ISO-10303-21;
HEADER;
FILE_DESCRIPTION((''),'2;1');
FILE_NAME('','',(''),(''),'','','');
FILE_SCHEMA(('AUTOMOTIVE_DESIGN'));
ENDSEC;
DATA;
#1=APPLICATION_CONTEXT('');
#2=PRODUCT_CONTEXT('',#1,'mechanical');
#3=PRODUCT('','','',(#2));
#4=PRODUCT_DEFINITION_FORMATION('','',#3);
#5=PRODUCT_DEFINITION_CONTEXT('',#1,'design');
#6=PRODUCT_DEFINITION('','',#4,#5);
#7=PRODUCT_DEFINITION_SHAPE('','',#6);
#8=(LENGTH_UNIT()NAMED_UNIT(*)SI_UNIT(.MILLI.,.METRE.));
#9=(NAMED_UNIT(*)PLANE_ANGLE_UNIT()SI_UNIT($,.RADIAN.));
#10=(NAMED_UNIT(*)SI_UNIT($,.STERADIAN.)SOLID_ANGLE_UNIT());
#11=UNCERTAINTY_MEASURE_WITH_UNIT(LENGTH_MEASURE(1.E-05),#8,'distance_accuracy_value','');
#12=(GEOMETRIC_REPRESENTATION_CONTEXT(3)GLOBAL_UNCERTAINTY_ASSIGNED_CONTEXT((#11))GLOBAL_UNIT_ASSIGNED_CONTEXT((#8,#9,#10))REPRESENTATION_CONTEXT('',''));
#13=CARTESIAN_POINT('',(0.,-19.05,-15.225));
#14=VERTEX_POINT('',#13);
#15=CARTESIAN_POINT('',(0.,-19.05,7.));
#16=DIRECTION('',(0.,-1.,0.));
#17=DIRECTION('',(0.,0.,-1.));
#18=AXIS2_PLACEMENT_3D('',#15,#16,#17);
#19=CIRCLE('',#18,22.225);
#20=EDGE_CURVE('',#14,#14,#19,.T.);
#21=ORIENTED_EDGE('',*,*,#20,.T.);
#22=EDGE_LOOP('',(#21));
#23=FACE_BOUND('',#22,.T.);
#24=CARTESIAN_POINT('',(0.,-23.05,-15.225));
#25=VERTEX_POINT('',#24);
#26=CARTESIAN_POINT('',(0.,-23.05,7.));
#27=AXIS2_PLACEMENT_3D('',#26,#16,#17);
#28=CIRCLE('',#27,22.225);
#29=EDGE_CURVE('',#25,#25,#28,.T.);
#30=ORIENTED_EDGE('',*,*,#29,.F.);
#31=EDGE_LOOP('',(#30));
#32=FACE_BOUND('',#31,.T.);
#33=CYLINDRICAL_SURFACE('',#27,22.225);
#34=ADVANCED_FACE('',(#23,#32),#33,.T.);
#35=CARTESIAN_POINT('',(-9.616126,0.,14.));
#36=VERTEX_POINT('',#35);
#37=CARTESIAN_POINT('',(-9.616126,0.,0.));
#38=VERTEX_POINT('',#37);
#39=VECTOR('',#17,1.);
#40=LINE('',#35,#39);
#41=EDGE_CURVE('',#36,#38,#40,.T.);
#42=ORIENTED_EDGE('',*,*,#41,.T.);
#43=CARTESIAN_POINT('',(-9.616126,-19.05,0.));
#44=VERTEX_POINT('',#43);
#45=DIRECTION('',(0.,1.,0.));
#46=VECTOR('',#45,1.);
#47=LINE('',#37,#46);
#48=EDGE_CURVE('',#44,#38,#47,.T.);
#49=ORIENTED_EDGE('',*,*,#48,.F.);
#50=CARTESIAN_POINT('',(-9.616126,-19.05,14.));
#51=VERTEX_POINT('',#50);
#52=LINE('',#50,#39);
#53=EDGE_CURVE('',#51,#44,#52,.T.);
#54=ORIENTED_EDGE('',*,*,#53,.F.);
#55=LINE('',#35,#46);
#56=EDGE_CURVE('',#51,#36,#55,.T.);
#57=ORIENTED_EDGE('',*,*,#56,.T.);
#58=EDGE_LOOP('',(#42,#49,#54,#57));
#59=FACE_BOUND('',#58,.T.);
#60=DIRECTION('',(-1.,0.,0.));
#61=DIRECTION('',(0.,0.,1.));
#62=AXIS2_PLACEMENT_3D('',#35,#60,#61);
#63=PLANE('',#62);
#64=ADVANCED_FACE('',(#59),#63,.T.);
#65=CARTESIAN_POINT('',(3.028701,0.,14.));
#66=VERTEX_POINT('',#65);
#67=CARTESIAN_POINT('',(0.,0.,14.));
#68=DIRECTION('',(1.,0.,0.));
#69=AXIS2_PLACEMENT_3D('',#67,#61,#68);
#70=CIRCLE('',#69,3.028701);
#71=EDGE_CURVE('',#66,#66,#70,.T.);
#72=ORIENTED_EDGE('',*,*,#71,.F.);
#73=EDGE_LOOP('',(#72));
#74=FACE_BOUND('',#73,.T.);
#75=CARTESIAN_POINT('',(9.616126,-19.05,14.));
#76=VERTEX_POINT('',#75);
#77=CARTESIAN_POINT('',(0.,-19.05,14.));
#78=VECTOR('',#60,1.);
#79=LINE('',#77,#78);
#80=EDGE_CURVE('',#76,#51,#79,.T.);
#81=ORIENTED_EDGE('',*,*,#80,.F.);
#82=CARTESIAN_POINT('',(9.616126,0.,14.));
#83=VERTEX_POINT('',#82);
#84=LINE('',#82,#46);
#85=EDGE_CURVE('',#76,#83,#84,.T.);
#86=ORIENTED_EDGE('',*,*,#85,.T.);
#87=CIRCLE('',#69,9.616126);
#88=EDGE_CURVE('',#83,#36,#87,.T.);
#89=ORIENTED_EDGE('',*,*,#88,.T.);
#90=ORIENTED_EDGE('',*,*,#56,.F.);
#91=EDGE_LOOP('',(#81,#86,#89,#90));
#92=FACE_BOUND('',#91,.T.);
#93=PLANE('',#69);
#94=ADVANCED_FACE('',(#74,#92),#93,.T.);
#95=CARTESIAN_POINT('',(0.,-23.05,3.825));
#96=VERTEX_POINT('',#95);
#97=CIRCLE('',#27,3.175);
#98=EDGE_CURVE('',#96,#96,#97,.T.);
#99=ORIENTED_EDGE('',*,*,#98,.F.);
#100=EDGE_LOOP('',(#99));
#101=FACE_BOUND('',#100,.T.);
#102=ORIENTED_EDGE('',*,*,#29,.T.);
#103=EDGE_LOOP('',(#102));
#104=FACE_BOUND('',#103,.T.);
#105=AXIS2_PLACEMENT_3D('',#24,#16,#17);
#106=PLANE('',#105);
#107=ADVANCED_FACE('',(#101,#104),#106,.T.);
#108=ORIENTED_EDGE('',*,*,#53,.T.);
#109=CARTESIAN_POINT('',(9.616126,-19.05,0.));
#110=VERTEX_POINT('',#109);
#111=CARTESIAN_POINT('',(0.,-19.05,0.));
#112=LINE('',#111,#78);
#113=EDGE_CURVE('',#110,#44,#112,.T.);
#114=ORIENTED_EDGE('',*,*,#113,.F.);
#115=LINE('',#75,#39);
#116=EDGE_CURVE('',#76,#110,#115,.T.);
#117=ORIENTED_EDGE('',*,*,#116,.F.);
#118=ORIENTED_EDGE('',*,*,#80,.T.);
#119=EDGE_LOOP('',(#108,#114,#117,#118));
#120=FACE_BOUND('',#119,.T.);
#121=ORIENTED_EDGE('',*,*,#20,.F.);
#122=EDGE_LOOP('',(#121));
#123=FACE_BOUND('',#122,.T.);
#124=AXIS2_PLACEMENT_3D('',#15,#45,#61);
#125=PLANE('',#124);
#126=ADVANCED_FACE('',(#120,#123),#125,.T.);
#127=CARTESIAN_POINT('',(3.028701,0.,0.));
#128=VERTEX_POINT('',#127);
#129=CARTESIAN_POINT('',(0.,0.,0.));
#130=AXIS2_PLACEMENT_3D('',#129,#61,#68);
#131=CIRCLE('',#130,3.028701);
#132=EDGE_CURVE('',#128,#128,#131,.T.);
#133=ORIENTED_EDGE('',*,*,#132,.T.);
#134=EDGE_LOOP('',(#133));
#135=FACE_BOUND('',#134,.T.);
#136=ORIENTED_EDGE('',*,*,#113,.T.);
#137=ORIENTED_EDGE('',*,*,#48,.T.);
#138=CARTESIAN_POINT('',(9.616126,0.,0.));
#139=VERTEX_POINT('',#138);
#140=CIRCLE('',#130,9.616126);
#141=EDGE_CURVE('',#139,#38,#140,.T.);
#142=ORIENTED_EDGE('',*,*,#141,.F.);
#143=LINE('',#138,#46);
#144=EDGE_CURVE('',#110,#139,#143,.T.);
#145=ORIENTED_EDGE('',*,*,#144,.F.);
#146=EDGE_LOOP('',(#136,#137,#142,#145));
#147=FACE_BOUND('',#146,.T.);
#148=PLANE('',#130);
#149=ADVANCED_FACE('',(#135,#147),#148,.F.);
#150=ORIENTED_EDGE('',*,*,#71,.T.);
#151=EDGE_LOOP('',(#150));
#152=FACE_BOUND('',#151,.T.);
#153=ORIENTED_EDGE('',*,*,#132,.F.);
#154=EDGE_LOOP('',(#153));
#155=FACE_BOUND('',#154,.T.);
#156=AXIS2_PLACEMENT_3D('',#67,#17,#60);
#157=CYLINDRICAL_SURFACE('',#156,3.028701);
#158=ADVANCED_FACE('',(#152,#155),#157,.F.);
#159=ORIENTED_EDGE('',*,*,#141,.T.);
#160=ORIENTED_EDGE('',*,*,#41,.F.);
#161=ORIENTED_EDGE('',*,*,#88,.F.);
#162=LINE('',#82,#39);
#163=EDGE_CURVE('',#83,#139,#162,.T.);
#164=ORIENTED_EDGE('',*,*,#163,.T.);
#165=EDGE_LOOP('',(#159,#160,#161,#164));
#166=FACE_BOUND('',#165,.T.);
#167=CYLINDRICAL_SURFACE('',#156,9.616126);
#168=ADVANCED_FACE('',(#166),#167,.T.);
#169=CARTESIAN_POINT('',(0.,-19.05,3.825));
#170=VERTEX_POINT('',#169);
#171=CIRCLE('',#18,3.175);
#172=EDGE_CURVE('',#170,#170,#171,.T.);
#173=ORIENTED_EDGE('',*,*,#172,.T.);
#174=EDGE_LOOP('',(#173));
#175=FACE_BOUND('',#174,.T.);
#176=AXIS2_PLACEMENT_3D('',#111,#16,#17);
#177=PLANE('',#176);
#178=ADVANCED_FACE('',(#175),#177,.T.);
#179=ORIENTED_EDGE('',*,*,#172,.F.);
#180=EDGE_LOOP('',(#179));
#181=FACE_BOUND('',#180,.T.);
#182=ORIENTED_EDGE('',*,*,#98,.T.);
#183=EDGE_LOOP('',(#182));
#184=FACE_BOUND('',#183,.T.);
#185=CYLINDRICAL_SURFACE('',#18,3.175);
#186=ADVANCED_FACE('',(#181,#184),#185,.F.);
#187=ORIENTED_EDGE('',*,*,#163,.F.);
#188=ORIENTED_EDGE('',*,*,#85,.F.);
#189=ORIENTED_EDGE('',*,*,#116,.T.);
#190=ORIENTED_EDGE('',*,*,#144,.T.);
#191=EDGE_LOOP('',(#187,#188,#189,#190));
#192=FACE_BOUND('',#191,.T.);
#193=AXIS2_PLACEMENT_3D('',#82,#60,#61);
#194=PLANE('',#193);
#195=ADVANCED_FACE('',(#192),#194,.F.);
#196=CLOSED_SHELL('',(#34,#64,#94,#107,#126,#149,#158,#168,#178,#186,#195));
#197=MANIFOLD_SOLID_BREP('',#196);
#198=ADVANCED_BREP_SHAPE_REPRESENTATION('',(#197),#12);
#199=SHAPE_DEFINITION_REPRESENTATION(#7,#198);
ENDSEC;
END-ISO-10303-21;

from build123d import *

# Parameters (mm, degrees)
SKETCH2_R           = 3.02870098
BOSS_EXTRUDE1_DEPTH = 14
SKETCH3_W           = 22.225
SKETCH3_H           = 4
SKETCH4_R           = 3.175
CUT_EXTRUDE1_DEPTH  = 4


with BuildPart() as part:
    # Sketch2 → Boss-Extrude1 (new body)
    with BuildSketch(Plane.XY):
        with BuildLine():
            Line((-9.616125613, -19.05), (9.616125613, -19.05))
            Line((9.616125613, -19.05), (9.616125613, 0))
            ThreePointArc((9.616125613, 0), (0, 9.616125613), (-9.616125613, 0))
            Line((-9.616125613, 0), (-9.616125613, -19.05))
        make_face()
        Circle(SKETCH2_R, mode=Mode.SUBTRACT)
    extrude(amount=BOSS_EXTRUDE1_DEPTH)

    # Sketch3 → Revolve1 (revolve)
    with BuildSketch(Plane(origin=(0, 0, 0), x_dir=(0, 0, -1), z_dir=(1, 0, 0))):
        with Locations((4.1125, -21.05)):
            Rectangle(SKETCH3_W, SKETCH3_H)
    revolve(axis=Axis((0, -23.05, 7), (0, 1, 0)))

    # Sketch4 → Cut-Extrude1 (cut)
    with BuildSketch(Plane(origin=(0, -23.05, 0), x_dir=(-1, 0, 0), z_dir=(0, -1, 0))):
        with Locations((0, -7)):
            Circle(SKETCH4_R)
    extrude(amount=-CUT_EXTRUDE1_DEPTH, mode=Mode.SUBTRACT)


solid = part.part
